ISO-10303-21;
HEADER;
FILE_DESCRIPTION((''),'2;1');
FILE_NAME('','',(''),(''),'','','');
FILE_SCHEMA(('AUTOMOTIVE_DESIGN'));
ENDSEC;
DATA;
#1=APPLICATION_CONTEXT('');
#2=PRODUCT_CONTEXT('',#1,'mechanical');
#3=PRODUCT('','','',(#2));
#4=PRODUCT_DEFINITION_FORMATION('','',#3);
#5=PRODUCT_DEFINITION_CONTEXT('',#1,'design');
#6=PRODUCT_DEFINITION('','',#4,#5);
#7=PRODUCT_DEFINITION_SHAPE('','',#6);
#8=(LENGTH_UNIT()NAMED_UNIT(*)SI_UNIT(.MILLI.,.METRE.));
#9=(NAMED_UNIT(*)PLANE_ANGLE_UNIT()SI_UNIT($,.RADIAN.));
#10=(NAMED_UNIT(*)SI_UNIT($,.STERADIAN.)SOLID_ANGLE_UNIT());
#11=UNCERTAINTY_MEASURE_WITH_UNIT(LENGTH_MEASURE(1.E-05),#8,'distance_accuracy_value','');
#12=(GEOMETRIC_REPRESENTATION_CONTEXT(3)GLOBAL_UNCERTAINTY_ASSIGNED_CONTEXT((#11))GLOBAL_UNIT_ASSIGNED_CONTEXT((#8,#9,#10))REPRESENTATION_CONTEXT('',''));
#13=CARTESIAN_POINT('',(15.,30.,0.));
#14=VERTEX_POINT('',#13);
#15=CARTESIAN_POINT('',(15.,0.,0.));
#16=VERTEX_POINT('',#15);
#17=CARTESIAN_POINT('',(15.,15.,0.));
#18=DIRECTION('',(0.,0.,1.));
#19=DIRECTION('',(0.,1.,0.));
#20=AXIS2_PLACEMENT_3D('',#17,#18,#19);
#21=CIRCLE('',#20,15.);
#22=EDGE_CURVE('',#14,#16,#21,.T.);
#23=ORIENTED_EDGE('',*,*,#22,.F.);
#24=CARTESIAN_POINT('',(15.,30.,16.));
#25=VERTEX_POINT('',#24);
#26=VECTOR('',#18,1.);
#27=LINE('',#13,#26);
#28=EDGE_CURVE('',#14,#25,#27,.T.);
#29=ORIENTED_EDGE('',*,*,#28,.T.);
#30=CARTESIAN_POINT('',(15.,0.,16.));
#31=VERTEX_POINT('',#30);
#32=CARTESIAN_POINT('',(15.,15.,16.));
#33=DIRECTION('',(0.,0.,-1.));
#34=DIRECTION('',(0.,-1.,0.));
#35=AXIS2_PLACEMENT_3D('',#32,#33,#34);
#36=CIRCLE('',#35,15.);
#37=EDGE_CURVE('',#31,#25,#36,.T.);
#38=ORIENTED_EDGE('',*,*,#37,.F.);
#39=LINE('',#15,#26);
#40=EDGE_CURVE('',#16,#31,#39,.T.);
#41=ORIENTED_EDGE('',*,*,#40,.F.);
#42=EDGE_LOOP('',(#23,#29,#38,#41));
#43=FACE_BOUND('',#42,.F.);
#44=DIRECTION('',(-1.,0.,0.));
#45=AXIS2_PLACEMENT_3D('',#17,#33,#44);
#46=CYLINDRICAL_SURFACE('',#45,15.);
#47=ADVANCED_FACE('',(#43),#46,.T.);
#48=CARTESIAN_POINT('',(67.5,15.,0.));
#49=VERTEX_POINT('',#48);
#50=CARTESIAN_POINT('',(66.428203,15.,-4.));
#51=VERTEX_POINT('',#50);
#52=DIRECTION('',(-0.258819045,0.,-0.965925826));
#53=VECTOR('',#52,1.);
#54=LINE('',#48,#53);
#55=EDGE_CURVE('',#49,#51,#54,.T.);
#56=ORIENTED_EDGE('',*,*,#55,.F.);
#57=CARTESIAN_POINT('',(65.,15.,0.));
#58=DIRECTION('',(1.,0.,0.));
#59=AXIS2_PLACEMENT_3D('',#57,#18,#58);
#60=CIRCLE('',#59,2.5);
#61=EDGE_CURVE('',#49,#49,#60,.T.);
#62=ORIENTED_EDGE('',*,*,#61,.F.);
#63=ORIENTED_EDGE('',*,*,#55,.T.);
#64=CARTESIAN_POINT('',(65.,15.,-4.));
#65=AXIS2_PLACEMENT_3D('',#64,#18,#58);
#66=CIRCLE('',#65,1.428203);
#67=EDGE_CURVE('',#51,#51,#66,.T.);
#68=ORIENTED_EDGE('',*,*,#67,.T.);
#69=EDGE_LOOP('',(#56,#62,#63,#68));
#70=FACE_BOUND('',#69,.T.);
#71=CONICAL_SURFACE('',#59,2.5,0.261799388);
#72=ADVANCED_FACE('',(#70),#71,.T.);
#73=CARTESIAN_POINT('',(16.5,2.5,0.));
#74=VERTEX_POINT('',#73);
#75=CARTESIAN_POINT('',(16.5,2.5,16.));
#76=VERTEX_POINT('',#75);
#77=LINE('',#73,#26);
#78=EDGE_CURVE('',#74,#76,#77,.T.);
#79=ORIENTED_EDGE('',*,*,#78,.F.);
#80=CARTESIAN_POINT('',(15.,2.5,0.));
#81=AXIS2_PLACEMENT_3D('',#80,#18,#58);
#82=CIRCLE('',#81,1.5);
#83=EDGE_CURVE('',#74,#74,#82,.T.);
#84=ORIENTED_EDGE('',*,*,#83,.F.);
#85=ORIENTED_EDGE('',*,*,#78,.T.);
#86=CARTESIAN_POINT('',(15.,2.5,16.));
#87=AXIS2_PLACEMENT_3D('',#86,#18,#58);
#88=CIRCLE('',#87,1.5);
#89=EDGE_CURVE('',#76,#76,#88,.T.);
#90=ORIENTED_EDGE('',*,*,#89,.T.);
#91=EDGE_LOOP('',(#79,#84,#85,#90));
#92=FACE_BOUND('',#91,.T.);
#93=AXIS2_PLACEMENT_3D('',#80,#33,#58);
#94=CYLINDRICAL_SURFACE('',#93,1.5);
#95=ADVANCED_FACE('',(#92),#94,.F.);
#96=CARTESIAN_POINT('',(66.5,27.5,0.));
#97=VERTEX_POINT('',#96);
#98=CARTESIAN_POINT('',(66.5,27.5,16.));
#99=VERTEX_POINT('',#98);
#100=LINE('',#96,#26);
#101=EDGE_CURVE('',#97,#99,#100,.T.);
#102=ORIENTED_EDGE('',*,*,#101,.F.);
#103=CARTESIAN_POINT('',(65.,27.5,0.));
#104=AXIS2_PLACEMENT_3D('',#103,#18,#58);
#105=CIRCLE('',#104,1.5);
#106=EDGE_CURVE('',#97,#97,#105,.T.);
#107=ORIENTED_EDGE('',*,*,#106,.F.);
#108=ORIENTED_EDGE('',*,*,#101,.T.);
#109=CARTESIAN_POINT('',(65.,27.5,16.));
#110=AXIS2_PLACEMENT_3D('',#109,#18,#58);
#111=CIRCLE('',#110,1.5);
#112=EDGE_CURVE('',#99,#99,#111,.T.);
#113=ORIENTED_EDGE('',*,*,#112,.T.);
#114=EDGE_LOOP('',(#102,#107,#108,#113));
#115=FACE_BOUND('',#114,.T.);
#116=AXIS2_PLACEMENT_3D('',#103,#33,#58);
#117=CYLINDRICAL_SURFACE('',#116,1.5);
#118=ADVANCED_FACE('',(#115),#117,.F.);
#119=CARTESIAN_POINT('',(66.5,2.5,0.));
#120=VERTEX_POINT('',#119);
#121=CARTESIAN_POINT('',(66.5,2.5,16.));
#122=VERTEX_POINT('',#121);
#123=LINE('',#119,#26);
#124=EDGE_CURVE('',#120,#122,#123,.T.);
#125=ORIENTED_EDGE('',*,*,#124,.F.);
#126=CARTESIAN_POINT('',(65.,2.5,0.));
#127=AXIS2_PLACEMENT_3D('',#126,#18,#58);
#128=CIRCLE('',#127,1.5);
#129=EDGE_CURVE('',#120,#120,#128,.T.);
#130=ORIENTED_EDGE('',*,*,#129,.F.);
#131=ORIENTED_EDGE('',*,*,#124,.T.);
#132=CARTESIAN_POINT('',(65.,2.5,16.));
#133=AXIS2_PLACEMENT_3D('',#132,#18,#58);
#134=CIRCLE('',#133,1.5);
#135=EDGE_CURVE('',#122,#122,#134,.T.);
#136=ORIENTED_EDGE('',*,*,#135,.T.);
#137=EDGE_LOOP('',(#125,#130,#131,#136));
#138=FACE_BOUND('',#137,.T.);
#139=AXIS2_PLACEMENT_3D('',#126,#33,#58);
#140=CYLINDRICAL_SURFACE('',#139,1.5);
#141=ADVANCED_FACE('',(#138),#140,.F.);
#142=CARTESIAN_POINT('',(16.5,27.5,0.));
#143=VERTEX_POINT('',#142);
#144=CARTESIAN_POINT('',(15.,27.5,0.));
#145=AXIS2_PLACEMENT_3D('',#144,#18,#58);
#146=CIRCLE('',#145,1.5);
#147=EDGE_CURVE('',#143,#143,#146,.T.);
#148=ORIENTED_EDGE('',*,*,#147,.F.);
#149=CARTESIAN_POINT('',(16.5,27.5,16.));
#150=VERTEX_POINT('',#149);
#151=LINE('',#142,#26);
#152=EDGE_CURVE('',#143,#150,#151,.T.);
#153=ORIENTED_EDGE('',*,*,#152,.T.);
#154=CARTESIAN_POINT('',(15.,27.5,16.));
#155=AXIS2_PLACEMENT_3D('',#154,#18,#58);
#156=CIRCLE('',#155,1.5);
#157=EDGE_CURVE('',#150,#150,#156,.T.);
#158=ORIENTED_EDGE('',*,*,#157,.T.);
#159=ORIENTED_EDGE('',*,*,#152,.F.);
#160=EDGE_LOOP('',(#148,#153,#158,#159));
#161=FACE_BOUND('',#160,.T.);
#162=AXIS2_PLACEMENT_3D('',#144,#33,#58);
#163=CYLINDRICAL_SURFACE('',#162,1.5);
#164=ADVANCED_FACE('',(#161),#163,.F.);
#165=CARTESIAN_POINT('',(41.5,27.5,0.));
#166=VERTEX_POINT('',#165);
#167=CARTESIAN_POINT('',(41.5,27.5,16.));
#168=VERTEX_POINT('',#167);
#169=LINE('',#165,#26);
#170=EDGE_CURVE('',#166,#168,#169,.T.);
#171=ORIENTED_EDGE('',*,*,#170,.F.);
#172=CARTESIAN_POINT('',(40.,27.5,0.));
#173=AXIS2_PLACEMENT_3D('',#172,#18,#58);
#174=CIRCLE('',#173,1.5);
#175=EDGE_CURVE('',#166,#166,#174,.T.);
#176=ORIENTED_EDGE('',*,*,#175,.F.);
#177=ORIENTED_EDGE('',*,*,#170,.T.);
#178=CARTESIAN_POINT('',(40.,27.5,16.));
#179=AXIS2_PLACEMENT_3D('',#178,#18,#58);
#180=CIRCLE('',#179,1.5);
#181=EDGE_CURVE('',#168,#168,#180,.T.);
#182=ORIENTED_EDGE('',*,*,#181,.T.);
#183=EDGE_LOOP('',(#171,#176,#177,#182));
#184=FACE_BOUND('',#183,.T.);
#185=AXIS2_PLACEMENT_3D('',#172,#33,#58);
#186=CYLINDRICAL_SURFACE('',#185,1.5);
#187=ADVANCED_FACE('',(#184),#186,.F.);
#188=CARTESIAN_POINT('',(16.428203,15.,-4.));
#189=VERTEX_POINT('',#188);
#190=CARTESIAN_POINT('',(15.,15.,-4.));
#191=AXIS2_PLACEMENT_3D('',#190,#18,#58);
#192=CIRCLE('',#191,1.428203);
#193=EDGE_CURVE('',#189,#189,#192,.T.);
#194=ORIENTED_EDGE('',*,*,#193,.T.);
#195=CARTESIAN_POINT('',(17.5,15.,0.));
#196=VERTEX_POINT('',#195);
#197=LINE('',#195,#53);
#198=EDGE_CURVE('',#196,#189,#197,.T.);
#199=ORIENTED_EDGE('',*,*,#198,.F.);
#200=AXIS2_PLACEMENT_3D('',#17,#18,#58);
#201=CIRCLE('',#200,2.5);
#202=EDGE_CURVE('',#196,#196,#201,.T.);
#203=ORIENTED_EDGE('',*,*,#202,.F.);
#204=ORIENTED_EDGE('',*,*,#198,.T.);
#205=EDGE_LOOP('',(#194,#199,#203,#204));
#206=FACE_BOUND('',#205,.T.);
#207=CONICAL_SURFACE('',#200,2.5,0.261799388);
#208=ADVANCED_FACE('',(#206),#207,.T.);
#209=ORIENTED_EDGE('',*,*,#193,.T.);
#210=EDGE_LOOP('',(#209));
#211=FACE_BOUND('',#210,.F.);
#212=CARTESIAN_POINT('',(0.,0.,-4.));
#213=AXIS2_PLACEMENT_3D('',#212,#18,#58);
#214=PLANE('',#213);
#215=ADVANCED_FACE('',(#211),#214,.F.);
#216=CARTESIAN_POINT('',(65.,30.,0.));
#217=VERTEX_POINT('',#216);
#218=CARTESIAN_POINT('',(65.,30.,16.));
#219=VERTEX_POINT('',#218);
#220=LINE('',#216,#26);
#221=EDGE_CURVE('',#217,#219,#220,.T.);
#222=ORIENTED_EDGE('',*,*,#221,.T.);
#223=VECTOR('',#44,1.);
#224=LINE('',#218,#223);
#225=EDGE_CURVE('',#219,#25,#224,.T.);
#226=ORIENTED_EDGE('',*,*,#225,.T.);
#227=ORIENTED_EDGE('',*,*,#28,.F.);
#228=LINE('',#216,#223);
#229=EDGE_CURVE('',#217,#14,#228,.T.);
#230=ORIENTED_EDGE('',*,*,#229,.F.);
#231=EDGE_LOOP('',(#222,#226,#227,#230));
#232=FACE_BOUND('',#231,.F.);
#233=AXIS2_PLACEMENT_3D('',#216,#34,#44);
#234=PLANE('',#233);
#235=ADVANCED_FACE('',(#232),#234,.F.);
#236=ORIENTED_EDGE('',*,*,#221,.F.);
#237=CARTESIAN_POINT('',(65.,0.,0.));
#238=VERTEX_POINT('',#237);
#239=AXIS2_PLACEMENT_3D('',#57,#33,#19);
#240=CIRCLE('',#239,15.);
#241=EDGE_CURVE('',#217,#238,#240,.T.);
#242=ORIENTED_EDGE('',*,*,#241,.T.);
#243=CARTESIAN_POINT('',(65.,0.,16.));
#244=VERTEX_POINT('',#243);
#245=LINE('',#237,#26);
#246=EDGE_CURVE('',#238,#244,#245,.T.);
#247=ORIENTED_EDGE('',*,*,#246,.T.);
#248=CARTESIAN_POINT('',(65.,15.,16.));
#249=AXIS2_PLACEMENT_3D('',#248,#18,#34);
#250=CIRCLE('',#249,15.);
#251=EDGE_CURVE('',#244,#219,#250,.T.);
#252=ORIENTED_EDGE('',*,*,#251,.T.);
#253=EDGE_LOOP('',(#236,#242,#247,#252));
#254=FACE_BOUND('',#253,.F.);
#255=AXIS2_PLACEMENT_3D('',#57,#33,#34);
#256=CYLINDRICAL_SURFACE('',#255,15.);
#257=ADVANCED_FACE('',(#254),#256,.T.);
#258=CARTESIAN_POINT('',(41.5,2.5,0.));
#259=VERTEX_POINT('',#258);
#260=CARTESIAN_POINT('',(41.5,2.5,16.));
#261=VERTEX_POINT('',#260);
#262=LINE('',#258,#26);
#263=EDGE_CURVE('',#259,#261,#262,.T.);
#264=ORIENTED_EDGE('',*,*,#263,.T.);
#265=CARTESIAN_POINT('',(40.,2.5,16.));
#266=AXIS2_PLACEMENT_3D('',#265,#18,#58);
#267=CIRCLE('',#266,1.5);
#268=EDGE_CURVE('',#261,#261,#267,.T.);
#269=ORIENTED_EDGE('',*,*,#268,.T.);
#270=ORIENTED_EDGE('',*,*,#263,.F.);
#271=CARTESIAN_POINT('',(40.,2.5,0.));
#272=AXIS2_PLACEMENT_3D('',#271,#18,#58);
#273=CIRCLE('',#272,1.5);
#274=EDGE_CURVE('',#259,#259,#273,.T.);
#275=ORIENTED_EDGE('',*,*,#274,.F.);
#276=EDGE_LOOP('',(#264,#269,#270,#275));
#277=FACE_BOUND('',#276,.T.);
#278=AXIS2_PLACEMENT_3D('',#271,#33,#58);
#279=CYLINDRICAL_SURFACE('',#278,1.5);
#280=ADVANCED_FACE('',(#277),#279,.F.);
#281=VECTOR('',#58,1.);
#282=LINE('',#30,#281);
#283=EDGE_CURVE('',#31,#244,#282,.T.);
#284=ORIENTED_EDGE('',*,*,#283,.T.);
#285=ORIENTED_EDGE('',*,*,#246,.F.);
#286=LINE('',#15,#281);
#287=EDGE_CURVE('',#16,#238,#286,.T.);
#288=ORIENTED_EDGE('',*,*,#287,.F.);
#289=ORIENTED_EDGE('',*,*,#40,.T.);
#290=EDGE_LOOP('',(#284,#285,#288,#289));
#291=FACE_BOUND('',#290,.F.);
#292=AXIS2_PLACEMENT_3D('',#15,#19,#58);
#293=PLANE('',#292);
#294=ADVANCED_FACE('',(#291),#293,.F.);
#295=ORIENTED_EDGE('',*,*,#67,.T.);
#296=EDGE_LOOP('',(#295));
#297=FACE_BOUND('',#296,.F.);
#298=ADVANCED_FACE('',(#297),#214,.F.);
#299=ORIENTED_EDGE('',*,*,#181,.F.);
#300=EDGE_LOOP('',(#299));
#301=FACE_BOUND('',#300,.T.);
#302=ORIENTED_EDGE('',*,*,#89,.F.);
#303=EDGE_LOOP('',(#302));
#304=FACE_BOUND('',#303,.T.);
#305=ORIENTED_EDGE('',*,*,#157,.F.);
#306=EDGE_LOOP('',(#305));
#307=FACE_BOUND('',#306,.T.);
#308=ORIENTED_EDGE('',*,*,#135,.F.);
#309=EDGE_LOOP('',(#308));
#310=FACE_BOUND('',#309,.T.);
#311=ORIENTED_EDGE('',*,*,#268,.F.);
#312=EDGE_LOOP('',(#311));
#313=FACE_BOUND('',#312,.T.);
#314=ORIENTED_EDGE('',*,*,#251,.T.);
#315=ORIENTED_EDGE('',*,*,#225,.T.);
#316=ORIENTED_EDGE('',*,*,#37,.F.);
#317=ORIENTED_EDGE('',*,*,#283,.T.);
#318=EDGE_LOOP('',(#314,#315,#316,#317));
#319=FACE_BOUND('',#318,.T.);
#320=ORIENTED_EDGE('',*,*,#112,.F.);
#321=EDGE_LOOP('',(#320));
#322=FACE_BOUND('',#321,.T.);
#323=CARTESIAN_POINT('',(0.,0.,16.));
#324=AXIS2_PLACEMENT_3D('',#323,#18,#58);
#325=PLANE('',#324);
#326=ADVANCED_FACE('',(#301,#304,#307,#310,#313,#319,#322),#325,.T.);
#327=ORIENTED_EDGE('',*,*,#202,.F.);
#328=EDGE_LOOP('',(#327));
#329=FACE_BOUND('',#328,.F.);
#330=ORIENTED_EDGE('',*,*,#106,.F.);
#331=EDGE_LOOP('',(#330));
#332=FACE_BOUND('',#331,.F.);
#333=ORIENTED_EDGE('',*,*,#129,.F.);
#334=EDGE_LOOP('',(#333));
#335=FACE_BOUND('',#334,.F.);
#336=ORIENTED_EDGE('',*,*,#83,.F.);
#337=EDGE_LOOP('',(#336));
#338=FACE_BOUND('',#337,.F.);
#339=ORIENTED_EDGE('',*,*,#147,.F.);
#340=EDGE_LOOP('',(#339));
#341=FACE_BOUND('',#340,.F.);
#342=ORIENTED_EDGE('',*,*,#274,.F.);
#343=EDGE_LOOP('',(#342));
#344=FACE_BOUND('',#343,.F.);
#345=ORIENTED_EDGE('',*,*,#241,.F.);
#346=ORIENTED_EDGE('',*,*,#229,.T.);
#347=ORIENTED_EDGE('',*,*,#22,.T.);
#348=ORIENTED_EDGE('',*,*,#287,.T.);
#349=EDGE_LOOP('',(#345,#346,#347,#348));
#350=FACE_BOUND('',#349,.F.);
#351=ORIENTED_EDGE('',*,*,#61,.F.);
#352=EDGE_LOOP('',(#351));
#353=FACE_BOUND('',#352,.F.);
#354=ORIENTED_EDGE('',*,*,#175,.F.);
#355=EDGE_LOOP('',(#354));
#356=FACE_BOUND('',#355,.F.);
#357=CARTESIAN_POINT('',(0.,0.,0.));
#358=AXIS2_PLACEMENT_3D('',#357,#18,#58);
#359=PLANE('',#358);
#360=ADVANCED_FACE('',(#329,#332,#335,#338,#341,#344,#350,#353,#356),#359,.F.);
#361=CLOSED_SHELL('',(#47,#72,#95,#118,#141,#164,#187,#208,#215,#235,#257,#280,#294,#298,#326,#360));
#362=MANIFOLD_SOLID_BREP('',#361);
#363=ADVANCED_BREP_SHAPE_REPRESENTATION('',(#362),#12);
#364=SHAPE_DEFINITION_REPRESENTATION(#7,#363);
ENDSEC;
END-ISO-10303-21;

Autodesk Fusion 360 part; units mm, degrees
sketch "Sketch1" plane through (0, 0, 0) normal (0, 0, 1) x (1, 0, 0)
  line L0 (15, 0) -> (65, 0)
  line L1 (65, 30) -> (15, 30)
  arc A0 (15, 30) -> (0, 15) centre (15, 15) ccw
  arc A1 (0, 15) -> (15, 0) centre (15, 15) ccw
  arc A2 (80, 15) -> (65, 30) centre (65, 15) ccw
  arc A3 (65, 0) -> (80, 15) centre (65, 15) ccw
  line L2 (15, 15) -> (65, 15) construction
  line L3 (15, 15) -> (15, 27.5) construction
  line L4 (65, 15) -> (65, 27.5) construction
  line L5 (15, 27.5) -> (40, 27.5) construction
  circle A4 centre (15, 27.5) radius 1.5
  circle A5 centre (40, 27.5) radius 1.5
  circle A6 centre (65, 27.5) radius 1.5
  circle A7 centre (15, 2.5) radius 1.5
  circle A8 centre (40, 2.5) radius 1.5
  circle A9 centre (65, 2.5) radius 1.5
  circle A10 centre (65, 15) radius 2.5
  circle A11 centre (15, 15) radius 2.5
  point P0 (80, 0)
  point P1 (0, 30)
  dimension "d1" = 80
  dimension "d2" = 30
  dimension "d3" = 15
  dimension "d4" = 15
  dimension "d5" = 15
  dimension "d6" = 15
  dimension "d7" = 12.5
  dimension "d8" = 12.5
  dimension "d9" = 25
  dimension "d11" = 3
  dimension "d12" = 3
  dimension "d13" = 3
  dimension "d22" = 5
  dimension "d23" = 5
extrude "Extrude1" add sketch "Sketch1" along normal blind 16 contours L0 L1 A0 A1 A2 A3 | A10 | A11
shell "Shell1" thickness 2 removed faces 1 at (23.6999, 18.8266, 16)
hole "Hole1" at (65, 27.5, 0) at (40, 27.5, 0) at (15, 27.5, 0) at (15, 2.5, 0) at (40, 2.5, 0) at (65, 2.5, 0) direction (0, 0, -1) diameter 4 depth 1 tip angle 180 countersink diameter 4.4 countersink angle 90
extrude "Extrude2" add sketch "Sketch1" against normal blind 4 draft -15 contours A10 | A11
equation "d23 = d22"
